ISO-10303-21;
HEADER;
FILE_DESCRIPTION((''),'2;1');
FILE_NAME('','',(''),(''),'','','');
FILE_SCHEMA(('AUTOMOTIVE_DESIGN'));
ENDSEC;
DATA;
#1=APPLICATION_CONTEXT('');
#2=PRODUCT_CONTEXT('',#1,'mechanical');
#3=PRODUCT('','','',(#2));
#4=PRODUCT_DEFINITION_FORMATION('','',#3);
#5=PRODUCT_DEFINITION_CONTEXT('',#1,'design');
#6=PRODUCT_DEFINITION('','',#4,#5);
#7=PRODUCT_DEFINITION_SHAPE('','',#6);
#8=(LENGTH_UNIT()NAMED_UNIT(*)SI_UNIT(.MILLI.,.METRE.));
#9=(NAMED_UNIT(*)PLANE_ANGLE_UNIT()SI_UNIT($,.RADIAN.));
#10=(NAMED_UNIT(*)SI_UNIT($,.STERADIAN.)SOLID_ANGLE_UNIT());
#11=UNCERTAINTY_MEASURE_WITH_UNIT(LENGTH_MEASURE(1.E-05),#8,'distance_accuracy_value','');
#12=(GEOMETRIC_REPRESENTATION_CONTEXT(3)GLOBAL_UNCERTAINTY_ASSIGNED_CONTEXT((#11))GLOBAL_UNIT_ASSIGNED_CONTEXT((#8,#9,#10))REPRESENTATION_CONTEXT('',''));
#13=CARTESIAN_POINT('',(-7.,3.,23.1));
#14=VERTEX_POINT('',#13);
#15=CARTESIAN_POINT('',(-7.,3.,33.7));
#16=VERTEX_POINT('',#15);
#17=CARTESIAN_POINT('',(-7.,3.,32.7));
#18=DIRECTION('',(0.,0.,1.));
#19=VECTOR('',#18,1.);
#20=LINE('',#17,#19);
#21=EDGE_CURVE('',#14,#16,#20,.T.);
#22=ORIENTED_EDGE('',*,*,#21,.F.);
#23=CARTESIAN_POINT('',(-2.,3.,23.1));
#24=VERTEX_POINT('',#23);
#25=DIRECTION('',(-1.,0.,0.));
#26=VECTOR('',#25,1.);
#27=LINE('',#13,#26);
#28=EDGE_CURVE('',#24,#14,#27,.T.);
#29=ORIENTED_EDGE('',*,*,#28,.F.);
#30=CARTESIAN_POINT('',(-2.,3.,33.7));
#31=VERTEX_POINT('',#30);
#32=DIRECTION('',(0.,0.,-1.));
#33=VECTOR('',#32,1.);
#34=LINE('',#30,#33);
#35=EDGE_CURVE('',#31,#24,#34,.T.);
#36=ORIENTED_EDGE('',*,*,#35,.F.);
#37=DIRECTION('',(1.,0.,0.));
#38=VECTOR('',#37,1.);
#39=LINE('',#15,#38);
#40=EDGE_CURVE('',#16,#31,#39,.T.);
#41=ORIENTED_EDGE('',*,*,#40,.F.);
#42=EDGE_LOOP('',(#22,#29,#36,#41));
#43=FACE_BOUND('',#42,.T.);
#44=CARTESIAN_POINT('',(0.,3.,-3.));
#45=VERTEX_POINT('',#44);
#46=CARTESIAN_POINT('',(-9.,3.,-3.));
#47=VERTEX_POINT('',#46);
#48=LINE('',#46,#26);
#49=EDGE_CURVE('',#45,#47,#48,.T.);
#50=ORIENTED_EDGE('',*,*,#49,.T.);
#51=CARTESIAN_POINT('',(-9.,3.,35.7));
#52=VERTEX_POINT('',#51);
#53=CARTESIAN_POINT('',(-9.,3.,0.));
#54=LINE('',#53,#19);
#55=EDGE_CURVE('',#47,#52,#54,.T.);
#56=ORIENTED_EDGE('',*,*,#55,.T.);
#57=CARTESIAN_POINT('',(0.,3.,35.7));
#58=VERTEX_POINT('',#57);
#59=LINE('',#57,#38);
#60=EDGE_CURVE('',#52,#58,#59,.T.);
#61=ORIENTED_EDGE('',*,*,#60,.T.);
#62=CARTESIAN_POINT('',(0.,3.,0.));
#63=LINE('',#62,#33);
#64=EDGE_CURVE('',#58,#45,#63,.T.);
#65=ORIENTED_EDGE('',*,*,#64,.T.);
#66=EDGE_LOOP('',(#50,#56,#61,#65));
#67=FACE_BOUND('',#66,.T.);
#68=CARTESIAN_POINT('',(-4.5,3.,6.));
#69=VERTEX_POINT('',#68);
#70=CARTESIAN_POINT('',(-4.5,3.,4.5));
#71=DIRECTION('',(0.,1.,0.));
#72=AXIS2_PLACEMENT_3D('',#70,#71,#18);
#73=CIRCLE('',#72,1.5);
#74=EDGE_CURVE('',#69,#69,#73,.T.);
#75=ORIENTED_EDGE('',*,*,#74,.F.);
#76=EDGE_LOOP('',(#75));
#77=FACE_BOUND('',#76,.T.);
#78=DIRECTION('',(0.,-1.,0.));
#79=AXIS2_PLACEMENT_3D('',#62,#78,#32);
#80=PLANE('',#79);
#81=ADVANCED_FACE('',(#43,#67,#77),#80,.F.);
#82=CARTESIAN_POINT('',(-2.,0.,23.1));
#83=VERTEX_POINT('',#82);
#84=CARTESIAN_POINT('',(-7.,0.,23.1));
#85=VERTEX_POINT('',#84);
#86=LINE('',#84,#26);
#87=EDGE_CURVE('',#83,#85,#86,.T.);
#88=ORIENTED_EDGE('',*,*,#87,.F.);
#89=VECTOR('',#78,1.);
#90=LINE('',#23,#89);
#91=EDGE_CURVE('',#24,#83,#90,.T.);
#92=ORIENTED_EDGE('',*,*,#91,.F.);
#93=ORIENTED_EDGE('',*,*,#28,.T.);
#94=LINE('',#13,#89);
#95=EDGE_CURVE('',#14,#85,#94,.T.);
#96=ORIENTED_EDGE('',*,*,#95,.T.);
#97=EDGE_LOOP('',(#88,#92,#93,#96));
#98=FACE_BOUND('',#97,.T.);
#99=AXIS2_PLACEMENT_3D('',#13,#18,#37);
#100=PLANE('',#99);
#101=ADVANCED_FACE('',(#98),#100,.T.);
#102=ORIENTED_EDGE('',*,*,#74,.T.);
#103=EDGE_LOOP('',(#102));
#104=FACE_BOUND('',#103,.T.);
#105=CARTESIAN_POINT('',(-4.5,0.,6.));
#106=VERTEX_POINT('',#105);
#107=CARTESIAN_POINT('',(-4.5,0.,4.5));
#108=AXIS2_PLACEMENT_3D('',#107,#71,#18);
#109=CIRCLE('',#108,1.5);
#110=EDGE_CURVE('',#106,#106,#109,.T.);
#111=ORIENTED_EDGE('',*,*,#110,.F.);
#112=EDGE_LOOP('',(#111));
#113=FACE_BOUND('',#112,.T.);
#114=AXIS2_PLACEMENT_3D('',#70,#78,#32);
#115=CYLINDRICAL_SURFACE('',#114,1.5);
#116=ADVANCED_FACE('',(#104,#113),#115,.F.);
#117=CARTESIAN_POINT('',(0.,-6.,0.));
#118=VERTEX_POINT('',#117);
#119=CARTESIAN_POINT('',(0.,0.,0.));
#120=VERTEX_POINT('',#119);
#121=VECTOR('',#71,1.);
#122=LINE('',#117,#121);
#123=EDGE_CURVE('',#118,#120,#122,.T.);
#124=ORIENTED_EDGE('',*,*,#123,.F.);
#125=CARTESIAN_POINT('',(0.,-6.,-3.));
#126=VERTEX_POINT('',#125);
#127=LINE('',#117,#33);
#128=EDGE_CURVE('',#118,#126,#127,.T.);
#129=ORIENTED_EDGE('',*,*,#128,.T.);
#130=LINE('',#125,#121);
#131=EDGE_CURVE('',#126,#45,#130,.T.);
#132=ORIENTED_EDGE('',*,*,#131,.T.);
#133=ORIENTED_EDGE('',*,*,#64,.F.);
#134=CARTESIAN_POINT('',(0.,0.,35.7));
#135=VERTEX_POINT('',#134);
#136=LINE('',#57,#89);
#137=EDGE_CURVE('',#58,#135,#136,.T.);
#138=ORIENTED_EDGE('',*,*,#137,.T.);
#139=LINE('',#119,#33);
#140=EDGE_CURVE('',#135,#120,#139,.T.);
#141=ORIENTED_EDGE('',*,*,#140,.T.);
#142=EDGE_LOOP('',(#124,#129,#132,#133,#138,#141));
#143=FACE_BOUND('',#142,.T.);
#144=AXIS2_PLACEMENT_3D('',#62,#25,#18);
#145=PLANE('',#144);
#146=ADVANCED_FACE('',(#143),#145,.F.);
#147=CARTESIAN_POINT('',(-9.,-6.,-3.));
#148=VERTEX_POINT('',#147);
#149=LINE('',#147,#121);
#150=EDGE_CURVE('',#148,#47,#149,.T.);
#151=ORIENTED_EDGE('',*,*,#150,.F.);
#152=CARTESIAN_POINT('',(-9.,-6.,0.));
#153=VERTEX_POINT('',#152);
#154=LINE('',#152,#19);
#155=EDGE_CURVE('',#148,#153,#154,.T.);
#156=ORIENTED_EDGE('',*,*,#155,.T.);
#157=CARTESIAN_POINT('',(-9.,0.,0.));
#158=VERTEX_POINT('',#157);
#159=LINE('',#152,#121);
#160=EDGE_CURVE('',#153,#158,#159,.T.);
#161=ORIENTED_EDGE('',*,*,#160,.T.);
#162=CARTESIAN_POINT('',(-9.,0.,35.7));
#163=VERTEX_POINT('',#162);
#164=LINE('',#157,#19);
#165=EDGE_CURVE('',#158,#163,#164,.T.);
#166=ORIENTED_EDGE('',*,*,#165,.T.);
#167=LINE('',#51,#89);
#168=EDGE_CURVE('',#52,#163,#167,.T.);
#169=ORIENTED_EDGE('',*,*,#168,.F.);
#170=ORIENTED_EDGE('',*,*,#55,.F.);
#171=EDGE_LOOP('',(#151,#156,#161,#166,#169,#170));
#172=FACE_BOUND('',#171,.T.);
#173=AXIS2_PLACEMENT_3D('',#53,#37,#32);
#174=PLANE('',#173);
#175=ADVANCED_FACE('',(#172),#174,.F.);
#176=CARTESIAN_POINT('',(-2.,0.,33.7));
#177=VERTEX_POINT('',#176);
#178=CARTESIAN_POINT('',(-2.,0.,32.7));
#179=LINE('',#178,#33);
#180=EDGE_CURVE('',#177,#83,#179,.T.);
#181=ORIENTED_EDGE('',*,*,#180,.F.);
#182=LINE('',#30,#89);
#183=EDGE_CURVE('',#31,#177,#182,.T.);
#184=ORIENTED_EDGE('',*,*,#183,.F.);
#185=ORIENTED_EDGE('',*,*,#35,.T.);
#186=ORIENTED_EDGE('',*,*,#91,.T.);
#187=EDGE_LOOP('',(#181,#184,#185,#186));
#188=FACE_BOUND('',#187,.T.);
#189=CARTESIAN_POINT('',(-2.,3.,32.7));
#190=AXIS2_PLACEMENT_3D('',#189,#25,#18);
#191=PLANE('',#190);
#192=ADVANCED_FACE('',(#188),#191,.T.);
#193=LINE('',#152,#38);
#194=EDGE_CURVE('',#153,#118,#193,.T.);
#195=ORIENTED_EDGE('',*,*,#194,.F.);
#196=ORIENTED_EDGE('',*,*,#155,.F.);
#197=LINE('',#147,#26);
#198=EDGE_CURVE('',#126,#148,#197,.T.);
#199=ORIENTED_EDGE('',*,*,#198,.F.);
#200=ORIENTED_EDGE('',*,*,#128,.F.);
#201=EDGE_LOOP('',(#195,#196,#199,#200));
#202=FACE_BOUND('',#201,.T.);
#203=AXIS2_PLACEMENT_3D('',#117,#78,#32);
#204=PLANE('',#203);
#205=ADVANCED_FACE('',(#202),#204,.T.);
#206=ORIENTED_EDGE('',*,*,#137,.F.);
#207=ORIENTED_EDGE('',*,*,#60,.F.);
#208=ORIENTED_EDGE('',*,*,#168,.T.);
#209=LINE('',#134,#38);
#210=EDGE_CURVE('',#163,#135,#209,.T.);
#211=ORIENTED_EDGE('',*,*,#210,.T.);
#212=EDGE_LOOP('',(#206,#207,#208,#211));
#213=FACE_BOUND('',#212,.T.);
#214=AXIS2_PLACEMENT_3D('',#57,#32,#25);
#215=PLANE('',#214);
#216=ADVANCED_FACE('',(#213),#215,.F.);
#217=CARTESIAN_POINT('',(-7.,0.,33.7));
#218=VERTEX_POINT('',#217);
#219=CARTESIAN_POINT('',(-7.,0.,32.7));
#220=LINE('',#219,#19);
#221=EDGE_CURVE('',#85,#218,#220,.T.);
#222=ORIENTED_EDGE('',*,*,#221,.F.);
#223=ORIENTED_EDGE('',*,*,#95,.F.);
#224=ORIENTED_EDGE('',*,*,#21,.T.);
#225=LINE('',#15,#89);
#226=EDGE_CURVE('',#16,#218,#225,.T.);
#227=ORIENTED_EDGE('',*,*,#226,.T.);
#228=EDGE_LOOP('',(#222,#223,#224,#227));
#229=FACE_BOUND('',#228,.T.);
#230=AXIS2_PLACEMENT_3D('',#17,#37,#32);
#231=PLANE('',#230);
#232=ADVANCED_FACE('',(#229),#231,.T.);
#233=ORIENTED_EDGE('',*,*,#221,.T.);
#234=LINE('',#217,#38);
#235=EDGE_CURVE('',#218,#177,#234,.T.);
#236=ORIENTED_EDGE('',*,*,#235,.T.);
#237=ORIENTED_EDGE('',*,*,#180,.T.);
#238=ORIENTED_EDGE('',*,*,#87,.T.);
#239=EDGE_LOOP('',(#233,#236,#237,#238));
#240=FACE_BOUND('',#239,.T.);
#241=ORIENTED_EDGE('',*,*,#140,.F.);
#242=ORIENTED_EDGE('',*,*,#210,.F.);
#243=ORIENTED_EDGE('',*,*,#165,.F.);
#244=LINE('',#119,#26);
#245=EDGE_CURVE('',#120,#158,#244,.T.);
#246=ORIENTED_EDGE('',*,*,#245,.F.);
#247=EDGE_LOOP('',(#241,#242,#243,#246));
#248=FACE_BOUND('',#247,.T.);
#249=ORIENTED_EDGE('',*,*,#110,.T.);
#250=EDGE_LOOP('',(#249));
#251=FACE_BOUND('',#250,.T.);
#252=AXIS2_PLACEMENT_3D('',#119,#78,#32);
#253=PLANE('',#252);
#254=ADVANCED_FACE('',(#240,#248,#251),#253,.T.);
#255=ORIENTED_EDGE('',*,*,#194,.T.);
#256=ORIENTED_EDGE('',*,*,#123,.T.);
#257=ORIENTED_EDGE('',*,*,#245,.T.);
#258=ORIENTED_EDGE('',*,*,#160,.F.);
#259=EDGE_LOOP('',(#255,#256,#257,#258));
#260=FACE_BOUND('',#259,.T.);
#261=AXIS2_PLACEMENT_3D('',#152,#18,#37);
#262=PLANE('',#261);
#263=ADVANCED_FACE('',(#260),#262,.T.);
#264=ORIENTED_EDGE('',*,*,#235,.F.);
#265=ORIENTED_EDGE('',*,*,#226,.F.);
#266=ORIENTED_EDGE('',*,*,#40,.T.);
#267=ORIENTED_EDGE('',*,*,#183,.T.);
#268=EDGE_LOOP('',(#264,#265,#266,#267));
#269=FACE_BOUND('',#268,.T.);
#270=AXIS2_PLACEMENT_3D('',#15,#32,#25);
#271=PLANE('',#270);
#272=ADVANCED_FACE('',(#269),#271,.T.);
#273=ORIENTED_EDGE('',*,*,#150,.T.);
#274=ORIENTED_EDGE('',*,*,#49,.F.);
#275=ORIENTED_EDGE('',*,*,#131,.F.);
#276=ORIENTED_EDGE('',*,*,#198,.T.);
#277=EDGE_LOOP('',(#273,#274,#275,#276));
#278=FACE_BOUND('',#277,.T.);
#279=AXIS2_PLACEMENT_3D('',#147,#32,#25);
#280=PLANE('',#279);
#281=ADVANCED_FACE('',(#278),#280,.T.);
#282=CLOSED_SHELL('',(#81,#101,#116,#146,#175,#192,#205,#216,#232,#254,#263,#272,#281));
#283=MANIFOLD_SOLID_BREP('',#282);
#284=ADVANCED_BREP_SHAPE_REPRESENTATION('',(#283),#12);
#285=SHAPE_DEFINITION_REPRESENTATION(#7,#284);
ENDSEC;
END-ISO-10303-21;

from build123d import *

# Parameters (mm, degrees)
SKETCH1_W           = 9
SKETCH1_H           = 35.7
SKETCH1_R           = 1.5
BOSS_EXTRUDE1_DEPTH = 3
SKETCH2_W           = 9
SKETCH2_H           = 3
BOSS_EXTRUDE2_DEPTH = 9


with BuildPart() as part:
    # Sketch1 → Boss-Extrude1 (new body)
    with BuildSketch(Plane(origin=(0, 0, 0), x_dir=(1, 0, 0), z_dir=(0, 1, 0))):
        with Locations((-4.5, -17.85)):
            Rectangle(SKETCH1_W, SKETCH1_H)
        with Locations(Location((-4.5, -4.5, 0), (0, 0, 270))):
            Circle(SKETCH1_R, mode=Mode.SUBTRACT)
        Polygon((-7, -32.7), (-7, -33.7), (-2, -33.7), (-2, -32.7), (-2, -23.1), (-7, -23.1), align=None, mode=Mode.SUBTRACT)
    extrude(amount=BOSS_EXTRUDE1_DEPTH)

    # Sketch2 → Boss-Extrude2 (add)
    with BuildSketch(Plane(origin=(0, 3, 0), x_dir=(1, 0, 0), z_dir=(0, 1, 0))):
        with Locations((-4.5, 1.5)):
            Rectangle(SKETCH2_W, SKETCH2_H)
    extrude(amount=-BOSS_EXTRUDE2_DEPTH)


solid = part.part
